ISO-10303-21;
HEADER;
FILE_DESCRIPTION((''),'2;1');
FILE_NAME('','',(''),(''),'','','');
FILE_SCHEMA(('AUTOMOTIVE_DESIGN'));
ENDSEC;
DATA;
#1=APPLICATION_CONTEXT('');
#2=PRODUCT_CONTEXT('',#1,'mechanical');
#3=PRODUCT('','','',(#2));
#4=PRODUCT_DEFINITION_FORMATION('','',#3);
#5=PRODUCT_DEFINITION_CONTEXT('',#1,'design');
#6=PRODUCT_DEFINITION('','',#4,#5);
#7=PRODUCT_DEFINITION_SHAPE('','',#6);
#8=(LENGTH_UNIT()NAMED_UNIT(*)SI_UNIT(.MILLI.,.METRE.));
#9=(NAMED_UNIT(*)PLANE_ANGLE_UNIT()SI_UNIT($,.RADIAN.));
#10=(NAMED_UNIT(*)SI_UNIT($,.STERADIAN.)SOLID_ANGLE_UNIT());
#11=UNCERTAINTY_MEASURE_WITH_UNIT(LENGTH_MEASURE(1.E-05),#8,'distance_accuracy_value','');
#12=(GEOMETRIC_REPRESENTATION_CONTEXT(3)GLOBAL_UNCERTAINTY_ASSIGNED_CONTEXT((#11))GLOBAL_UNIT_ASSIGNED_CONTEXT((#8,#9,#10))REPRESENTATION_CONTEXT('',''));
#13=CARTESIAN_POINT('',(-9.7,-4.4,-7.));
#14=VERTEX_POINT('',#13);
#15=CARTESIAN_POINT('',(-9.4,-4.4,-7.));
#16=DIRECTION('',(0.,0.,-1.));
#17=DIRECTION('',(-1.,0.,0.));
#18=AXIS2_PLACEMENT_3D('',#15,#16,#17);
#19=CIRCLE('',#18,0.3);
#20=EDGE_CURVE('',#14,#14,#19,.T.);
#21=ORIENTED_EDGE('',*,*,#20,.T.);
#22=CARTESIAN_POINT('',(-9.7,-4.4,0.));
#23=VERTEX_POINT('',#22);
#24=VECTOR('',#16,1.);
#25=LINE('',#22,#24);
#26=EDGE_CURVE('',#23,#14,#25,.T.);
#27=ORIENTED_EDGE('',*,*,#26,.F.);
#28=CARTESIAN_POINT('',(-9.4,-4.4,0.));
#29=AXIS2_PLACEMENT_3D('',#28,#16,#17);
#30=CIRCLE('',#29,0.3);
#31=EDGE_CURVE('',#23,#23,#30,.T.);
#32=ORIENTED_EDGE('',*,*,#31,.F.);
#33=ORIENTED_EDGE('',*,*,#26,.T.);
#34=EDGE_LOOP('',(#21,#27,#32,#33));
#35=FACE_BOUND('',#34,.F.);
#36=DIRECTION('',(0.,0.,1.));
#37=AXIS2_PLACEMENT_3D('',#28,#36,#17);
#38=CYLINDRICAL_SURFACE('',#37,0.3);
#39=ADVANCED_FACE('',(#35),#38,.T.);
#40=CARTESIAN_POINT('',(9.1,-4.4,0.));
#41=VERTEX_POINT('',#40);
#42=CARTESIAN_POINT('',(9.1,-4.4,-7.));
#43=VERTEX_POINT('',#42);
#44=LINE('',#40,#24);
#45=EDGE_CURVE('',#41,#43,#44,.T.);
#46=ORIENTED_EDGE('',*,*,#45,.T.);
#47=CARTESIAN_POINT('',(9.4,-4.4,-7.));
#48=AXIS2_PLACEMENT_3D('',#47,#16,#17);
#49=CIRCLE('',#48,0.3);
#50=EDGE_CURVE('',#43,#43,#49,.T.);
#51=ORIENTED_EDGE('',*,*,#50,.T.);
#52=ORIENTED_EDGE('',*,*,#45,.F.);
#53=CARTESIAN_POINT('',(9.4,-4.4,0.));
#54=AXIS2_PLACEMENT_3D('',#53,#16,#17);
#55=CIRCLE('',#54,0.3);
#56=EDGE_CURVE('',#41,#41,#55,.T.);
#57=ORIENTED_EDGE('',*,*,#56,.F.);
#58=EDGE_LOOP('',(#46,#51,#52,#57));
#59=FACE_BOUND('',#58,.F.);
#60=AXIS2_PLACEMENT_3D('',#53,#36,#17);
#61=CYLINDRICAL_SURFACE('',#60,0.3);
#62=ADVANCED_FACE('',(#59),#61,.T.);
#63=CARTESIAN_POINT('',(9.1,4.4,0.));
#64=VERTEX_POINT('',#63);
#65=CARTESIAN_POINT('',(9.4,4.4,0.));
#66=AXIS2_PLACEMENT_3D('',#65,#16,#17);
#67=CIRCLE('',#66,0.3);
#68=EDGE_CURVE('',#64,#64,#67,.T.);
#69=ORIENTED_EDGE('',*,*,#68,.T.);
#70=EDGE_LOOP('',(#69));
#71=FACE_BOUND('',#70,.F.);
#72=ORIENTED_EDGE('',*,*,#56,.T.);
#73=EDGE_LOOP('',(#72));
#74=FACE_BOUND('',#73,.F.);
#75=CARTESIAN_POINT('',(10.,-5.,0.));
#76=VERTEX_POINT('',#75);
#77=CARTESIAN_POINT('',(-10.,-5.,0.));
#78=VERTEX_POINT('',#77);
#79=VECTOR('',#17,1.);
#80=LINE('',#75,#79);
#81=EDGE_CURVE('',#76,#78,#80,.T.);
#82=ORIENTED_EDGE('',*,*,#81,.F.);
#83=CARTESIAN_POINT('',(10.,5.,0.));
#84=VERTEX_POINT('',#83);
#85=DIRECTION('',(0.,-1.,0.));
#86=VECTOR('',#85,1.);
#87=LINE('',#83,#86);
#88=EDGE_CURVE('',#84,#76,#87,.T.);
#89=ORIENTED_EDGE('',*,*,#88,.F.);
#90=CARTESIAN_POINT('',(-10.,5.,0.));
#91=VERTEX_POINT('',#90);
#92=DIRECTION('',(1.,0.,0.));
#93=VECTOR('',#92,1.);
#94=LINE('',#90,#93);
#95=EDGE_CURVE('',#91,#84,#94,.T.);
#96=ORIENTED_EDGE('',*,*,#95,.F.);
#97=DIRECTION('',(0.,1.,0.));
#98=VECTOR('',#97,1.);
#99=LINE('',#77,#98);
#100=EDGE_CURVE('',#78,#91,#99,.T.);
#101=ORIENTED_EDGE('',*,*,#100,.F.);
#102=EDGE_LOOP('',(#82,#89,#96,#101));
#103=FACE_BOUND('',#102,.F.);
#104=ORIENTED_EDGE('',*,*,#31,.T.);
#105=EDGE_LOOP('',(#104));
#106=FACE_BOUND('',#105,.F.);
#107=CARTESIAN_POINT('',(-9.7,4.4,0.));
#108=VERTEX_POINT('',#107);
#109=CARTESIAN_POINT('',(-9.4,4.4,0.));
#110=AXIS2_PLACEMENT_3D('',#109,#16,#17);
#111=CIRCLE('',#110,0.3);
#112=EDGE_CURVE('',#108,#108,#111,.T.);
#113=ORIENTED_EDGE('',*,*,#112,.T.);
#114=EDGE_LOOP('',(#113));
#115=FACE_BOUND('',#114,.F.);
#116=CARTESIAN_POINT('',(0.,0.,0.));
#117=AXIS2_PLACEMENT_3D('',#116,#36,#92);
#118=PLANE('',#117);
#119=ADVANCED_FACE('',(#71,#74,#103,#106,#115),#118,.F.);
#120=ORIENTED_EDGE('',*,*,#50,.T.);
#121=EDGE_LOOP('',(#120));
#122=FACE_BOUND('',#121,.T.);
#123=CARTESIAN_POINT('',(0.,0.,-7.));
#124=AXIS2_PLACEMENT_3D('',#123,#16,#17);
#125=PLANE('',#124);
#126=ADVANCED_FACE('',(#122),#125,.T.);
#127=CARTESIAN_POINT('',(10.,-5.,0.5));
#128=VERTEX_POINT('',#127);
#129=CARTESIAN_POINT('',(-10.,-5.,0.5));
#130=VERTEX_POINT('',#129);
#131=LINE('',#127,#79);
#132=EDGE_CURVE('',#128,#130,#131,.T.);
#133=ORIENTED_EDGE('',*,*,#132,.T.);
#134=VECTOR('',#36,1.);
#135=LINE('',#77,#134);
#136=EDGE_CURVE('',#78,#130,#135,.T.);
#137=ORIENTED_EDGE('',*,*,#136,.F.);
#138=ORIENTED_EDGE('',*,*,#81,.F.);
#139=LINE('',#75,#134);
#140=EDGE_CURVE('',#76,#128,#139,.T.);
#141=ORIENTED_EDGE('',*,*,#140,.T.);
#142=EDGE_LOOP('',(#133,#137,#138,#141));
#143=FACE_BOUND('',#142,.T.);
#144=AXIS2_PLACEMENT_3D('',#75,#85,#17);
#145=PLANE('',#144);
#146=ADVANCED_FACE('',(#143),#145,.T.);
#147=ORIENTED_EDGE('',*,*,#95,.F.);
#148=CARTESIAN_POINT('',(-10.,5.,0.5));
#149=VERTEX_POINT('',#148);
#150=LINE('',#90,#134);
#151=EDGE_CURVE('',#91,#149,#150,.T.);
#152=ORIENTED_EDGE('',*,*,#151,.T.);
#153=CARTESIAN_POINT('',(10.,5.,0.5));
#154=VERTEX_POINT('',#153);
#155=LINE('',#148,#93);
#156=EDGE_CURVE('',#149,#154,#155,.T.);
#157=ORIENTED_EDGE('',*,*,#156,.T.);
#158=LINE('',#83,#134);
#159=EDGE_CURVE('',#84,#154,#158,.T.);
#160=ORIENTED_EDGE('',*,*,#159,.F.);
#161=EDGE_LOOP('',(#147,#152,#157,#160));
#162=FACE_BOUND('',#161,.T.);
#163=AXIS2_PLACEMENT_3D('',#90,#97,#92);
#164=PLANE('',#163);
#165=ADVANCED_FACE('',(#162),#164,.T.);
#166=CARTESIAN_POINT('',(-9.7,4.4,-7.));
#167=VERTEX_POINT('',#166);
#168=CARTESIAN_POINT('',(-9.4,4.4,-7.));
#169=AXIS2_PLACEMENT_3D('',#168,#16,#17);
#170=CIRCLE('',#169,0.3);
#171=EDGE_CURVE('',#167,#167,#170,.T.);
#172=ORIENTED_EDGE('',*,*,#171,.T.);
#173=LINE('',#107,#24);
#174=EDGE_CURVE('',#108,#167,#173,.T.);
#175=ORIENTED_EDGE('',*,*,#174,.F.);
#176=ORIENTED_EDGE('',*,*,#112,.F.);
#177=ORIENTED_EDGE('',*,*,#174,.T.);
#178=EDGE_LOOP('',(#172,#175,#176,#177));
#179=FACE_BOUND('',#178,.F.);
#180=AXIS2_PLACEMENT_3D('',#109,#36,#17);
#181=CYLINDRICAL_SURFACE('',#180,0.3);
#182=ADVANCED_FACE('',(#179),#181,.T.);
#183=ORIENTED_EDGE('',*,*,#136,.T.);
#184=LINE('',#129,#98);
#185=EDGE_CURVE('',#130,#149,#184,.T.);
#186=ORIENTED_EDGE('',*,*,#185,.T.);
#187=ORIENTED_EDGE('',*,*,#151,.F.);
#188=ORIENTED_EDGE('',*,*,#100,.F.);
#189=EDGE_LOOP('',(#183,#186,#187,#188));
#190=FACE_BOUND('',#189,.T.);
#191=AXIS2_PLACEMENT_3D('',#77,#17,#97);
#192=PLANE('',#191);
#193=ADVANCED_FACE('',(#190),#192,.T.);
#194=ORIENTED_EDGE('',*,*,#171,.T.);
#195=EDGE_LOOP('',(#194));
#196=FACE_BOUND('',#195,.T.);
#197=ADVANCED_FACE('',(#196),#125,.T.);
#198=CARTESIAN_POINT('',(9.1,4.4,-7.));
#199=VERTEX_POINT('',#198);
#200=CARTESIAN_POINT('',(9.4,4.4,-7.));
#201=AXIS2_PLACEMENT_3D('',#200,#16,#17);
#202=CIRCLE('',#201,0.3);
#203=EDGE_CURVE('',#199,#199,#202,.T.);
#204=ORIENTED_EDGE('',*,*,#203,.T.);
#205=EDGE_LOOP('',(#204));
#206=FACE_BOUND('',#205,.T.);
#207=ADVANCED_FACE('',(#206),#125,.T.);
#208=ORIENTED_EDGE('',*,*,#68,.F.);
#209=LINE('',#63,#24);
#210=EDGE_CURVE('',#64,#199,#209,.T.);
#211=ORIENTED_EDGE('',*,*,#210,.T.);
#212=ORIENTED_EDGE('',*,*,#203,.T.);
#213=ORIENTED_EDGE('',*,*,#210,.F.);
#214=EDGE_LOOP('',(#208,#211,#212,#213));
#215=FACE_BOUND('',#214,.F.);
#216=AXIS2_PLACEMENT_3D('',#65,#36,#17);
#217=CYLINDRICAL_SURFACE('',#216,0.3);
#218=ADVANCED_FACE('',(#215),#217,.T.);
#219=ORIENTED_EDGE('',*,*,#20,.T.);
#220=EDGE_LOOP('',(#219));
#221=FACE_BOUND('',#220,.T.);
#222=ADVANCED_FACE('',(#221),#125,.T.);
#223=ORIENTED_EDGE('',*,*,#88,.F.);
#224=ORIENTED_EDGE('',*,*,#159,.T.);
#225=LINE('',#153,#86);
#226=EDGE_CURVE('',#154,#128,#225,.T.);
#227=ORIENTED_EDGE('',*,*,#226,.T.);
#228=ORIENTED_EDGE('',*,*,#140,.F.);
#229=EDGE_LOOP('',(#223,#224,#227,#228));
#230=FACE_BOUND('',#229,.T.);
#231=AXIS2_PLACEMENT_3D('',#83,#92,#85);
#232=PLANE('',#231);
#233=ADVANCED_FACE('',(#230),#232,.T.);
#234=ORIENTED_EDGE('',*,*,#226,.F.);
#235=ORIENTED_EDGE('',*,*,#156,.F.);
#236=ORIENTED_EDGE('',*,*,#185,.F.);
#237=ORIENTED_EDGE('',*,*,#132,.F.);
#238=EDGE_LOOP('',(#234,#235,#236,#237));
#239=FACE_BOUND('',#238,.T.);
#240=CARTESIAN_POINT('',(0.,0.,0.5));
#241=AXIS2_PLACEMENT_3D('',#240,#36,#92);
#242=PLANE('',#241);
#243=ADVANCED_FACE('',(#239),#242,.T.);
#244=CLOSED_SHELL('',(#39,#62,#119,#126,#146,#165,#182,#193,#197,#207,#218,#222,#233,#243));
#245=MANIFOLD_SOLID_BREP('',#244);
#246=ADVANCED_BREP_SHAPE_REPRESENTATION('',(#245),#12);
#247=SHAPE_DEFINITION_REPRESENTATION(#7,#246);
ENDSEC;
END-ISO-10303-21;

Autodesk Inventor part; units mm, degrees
ref_plane "YZ Plane" through (0, 0, 0) normal (1, 0, 0) x (0, 1, 0)
ref_plane "XZ Plane" through (0, 0, 0) normal (0, 1, 0) x (-1, 0, 0)
ref_plane "XY Plane" through (0, 0, 0) normal (0, 0, 1) x (1, 0, 0)
sketch "Sketch1" plane through (0, 0, 0) normal (0, 0, 1) x (1, 0, 0)
  line L0 (-10, 5) -> (10, 5)
  line L1 (10, 5) -> (10, -5)
  line L2 (10, -5) -> (-10, -5)
  line L3 (-10, -5) -> (-10, 5)
  point P0 (0, 0)
  dimension "d0" = 20
  dimension "d1" = 10
  dimension "d2" = 5
  dimension "d3" = 10
extrude "Extrusion1" add sketch "Sketch1" along normal blind 0.5
sketch "Sketch2" plane through (0, 0, 0) normal (0, 0, -1) x (-1, 0, 0)
  circle A0 centre (9.4, 4.4) radius 0.3
  circle A1 centre (-9.4, 4.4) radius 0.3
  circle A2 centre (-9.4, -4.4) radius 0.3
  circle A3 centre (9.4, -4.4) radius 0.3
  line L0 (10, 5) -> (-10, 5) projected
  line L1 (-10, 5) -> (-10, -5) projected
  line L2 (10, -5) -> (10, 5) projected
  line L3 (-10, -5) -> (10, -5) projected
  point P0 (0, 0)
  dimension "d6" = 0.6
  dimension "d7" = 0.6
  dimension "d8" = 0.6
  dimension "d9" = 0.6
  dimension "d10" = 0.6
  dimension "d11" = 0.6
  dimension "d12" = 0.6
  dimension "d13" = 0.6
  dimension "d14" = 0.6
  dimension "d15" = 0.6
  dimension "d16" = 0.6
  dimension "d17" = 0.6
extrude "Extrusion2" add sketch "Sketch2" along normal blind 7 contours A0 | A1 | A2 | A3
equation "\"d1\" = 0.5 * d0"
equation "\"d2\" = 0.5 * d1"
equation "\"d3\" = 0.5 * d0"
equation "\"d7\" = d6"
equation "\"d8\" = d7"
equation "\"d9\" = d7"
equation "\"d10\" = d6"
equation "\"d11\" = d8"
equation "\"d12\" = d6"
equation "\"d13\" = d7"
equation "\"d14\" = d8"
equation "\"d15\" = d6"
equation "\"d16\" = d7"
equation "\"d17\" = d8"
properties part number "PythonKukaTable"
